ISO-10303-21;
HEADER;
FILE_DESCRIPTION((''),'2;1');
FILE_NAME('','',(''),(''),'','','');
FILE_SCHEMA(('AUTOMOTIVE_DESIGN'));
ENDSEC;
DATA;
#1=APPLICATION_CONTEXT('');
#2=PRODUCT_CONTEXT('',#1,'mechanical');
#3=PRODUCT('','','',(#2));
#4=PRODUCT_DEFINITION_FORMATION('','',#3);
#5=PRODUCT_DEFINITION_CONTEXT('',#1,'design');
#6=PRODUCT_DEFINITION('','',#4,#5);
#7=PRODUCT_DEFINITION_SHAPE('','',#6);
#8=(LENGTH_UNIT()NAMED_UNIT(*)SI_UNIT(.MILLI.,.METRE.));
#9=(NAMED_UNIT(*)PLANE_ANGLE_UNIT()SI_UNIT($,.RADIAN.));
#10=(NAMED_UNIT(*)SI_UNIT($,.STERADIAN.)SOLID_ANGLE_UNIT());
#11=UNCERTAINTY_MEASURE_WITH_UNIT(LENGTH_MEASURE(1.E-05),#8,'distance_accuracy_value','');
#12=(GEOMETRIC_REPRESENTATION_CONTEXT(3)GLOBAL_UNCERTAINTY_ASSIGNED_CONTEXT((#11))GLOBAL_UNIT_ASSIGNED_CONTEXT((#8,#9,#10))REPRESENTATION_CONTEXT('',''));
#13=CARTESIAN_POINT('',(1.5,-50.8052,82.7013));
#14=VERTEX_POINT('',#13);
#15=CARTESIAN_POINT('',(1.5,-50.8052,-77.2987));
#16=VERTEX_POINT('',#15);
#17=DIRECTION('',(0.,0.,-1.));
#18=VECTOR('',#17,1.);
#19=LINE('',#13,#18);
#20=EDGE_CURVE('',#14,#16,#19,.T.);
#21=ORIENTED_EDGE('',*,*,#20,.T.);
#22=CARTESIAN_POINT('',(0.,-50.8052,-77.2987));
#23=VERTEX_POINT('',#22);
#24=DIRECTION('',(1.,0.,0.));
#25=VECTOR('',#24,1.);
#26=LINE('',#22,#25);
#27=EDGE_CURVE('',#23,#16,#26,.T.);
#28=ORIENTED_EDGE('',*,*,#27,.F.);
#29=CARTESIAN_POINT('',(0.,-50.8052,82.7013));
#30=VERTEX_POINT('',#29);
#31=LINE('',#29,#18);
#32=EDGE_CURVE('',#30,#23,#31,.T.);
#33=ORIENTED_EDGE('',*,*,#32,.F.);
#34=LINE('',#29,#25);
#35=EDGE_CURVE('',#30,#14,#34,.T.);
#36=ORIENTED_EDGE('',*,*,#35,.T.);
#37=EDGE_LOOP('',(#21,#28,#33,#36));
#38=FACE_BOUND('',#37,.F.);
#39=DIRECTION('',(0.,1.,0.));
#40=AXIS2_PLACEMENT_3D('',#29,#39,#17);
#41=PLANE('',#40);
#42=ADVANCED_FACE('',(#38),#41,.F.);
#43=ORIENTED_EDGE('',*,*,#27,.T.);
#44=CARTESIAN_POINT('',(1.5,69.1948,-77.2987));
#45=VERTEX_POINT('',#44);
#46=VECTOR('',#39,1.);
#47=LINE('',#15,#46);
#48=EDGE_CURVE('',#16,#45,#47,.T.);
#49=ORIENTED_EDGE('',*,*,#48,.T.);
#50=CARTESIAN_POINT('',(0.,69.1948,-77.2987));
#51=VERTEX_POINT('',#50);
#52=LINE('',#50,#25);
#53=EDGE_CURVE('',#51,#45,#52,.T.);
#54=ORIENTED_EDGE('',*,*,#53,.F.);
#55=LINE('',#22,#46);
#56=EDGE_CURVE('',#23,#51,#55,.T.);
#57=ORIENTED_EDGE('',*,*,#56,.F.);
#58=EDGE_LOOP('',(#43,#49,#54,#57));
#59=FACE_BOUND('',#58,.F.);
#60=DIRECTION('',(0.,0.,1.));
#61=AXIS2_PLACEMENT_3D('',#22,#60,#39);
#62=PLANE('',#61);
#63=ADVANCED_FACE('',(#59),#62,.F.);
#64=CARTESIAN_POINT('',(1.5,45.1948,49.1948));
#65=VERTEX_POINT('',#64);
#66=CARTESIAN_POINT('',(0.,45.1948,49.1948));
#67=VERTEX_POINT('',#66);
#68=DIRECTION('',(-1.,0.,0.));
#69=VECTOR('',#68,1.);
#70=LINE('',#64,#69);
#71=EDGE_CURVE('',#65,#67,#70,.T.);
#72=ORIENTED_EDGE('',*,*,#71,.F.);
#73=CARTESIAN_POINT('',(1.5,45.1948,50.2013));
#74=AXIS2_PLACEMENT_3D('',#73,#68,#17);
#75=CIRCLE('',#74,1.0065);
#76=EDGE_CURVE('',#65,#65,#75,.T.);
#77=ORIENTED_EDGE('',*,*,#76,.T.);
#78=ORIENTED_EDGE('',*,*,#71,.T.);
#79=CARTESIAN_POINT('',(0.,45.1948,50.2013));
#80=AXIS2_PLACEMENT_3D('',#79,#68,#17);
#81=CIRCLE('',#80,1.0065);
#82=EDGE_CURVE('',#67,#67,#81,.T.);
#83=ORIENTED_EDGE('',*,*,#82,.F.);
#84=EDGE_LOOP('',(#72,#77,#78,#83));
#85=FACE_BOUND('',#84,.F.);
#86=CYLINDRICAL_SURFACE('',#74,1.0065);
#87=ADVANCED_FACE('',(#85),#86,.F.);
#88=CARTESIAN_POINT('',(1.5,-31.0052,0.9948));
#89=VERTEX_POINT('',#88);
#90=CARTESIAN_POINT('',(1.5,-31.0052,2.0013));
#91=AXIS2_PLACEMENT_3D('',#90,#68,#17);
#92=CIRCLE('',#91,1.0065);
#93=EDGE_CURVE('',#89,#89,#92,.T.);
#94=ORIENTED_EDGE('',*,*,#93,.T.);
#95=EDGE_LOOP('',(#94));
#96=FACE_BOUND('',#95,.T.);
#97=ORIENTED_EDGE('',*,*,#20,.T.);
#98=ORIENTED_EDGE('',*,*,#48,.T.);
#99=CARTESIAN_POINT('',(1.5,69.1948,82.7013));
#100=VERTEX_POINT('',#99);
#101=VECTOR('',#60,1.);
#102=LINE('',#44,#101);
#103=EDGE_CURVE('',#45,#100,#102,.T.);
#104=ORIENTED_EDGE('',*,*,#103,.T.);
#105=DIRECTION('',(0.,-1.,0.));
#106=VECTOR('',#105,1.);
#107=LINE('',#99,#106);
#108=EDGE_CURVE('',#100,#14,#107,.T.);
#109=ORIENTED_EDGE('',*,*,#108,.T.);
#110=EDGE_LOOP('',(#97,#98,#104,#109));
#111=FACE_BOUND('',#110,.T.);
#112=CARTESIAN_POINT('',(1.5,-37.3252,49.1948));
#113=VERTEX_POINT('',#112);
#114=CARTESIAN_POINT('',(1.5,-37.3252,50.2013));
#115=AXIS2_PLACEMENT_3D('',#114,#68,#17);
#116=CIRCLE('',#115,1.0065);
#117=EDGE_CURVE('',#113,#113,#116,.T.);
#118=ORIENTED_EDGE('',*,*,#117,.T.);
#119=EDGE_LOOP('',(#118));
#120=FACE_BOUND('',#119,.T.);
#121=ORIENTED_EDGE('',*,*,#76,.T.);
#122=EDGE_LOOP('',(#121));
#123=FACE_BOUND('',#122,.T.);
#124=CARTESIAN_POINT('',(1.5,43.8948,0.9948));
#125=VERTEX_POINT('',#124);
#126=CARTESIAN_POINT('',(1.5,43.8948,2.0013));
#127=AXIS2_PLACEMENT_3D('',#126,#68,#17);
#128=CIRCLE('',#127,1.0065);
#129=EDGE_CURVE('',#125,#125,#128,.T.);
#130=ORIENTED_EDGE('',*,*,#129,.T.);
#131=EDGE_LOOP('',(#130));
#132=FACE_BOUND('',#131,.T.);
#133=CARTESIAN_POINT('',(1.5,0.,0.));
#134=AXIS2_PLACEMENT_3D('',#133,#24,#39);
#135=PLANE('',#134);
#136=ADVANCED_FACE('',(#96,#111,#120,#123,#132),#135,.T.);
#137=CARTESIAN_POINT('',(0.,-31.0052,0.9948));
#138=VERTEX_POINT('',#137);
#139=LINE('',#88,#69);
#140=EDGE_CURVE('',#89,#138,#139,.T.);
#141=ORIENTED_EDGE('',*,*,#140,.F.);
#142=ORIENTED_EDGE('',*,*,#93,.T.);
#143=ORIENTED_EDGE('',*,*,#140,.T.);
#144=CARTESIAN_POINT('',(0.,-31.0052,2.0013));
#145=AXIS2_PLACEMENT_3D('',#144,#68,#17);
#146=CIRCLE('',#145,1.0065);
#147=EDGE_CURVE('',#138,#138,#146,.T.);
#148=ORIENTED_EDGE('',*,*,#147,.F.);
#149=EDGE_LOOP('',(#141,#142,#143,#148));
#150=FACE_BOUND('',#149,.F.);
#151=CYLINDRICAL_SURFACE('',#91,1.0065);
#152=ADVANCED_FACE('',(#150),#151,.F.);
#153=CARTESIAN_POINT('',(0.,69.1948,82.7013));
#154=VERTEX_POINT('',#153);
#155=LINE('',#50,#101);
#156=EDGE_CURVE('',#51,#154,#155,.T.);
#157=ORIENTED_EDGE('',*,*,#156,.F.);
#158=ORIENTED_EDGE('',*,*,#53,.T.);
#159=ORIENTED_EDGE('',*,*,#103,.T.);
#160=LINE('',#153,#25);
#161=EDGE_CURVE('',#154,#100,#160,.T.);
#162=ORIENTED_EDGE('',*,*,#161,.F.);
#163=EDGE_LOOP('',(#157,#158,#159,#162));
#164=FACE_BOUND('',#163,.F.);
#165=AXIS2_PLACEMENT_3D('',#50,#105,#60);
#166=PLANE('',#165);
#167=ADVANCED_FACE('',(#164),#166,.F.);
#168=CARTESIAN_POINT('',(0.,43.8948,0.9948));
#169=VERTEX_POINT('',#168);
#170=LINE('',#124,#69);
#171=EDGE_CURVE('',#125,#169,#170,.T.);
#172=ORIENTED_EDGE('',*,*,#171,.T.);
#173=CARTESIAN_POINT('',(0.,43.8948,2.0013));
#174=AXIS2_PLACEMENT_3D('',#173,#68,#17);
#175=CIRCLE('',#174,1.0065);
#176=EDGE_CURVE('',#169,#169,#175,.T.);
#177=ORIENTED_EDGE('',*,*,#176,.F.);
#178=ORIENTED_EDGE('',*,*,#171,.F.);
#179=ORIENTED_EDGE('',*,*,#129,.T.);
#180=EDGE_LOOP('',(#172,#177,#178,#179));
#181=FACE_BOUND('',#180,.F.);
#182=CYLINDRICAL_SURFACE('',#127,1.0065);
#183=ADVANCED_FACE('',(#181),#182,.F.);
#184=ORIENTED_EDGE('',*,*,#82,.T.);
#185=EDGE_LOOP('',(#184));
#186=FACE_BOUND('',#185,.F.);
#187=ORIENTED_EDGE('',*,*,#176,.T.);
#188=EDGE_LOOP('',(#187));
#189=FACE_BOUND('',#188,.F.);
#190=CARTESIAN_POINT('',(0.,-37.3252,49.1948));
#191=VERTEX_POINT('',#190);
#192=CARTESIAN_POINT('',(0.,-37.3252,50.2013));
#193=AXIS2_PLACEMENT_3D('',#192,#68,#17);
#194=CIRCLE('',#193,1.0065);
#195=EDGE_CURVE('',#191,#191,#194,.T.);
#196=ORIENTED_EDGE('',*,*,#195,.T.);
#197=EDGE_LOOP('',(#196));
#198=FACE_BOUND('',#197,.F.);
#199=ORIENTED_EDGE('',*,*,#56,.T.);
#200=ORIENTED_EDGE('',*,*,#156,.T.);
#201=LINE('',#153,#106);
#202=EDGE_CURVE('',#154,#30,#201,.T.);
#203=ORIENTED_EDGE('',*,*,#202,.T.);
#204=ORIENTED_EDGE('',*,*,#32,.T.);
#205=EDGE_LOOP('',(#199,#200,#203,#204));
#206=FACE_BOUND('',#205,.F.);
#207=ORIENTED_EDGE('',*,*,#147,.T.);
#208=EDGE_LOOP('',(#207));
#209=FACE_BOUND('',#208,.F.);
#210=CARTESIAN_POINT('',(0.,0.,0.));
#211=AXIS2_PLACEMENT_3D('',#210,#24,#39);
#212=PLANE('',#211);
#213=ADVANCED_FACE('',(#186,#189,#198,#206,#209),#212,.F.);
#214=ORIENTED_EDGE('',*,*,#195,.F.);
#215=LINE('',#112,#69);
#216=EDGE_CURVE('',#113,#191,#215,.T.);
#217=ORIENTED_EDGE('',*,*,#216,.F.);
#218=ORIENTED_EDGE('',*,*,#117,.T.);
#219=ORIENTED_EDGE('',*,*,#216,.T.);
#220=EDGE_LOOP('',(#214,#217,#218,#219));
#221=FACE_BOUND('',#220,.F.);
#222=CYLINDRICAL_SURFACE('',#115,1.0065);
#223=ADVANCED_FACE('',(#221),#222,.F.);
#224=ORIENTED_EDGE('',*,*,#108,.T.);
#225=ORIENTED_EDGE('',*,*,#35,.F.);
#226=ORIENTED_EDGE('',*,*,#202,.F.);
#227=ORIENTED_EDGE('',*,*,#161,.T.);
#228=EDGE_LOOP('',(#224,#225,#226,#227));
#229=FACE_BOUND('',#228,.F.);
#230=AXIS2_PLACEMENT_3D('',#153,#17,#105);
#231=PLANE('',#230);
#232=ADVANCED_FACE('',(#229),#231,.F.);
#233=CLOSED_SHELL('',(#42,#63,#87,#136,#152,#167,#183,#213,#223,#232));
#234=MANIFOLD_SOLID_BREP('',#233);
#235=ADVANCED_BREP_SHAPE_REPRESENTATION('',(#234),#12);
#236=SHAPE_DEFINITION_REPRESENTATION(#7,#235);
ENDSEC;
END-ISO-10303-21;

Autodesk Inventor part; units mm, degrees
ref_plane "YZ Plane" through (0, 0, 0) normal (1, 0, 0) x (0, 1, 0)
ref_plane "XZ Plane" through (0, 0, 0) normal (0, 1, 0) x (-1, 0, 0)
ref_plane "XY Plane" through (0, 0, 0) normal (0, 0, 1) x (1, 0, 0)
sketch "Sketch1" plane through (0, 0, 0) normal (1, 0, 0) x (0, 1, 0)
  line L0 (69.1948, 82.7013) -> (-50.8052, 82.7013)
  line L1 (-50.8052, 82.7013) -> (-50.8052, -77.2987)
  line L2 (-50.8052, -77.2987) -> (69.1948, -77.2987)
  line L3 (69.1948, -77.2987) -> (69.1948, 82.7013)
  point P0 (0, 0)
  dimension "d0" = 160
  dimension "d1" = 120
extrude "Extrusion1" add sketch "Sketch1" along normal blind 1.5
sketch "Sketch2" plane through (1.5, 0, 0) normal (1, 0, 0) x (0, 0, -1)
  line L0 (-52.7013, 59.1948) -> (0.5987, 59.1948)
  line L1 (-52.7013, 59.1948) -> (-52.7013, -42.4052)
  line L2 (77.2987, 69.1948) -> (-82.7013, 69.1948) projected
  line L3 (-82.7013, 69.1948) -> (-82.7013, -50.8052) projected
  line L4 (0.5987, 59.1948) -> (0.5987, -42.4052)
  line L5 (0.5987, -42.4052) -> (-52.7013, -42.4052)
  point P0 (0, 0)
  point P1 (-50.2013, 45.1948)
  point P2 (-50.2013, -37.3252)
  point P3 (-2.0013, 43.8948)
  point P4 (-2.0013, -31.0052)
  dimension "d4" = 14
  dimension "d5" = 15.3
  dimension "d6" = 101.6
  dimension "d7" = 2.5
  dimension "d8" = 10
  dimension "d9" = 30
  dimension "d10" = 53.3
  dimension "d12" = 2.5
  dimension "d13" = 50.7
  dimension "d14" = 50.7
  dimension "d15" = 90.2
  dimension "d16" = 96.52
hole "Hole1" at (1.5, 45.1948, 50.2013) at (1.5, -37.3252, 50.2013) at (1.5, 43.8948, 2.0013) at (1.5, -31.0052, 2.0013) direction (-1, 0, 0) diameter 2.013 end through all thread size "M2.5x0.45" class "6H" standard "ANSI Metric M Profile"
equation "\"d14\" = d13"
properties part number "mount"
